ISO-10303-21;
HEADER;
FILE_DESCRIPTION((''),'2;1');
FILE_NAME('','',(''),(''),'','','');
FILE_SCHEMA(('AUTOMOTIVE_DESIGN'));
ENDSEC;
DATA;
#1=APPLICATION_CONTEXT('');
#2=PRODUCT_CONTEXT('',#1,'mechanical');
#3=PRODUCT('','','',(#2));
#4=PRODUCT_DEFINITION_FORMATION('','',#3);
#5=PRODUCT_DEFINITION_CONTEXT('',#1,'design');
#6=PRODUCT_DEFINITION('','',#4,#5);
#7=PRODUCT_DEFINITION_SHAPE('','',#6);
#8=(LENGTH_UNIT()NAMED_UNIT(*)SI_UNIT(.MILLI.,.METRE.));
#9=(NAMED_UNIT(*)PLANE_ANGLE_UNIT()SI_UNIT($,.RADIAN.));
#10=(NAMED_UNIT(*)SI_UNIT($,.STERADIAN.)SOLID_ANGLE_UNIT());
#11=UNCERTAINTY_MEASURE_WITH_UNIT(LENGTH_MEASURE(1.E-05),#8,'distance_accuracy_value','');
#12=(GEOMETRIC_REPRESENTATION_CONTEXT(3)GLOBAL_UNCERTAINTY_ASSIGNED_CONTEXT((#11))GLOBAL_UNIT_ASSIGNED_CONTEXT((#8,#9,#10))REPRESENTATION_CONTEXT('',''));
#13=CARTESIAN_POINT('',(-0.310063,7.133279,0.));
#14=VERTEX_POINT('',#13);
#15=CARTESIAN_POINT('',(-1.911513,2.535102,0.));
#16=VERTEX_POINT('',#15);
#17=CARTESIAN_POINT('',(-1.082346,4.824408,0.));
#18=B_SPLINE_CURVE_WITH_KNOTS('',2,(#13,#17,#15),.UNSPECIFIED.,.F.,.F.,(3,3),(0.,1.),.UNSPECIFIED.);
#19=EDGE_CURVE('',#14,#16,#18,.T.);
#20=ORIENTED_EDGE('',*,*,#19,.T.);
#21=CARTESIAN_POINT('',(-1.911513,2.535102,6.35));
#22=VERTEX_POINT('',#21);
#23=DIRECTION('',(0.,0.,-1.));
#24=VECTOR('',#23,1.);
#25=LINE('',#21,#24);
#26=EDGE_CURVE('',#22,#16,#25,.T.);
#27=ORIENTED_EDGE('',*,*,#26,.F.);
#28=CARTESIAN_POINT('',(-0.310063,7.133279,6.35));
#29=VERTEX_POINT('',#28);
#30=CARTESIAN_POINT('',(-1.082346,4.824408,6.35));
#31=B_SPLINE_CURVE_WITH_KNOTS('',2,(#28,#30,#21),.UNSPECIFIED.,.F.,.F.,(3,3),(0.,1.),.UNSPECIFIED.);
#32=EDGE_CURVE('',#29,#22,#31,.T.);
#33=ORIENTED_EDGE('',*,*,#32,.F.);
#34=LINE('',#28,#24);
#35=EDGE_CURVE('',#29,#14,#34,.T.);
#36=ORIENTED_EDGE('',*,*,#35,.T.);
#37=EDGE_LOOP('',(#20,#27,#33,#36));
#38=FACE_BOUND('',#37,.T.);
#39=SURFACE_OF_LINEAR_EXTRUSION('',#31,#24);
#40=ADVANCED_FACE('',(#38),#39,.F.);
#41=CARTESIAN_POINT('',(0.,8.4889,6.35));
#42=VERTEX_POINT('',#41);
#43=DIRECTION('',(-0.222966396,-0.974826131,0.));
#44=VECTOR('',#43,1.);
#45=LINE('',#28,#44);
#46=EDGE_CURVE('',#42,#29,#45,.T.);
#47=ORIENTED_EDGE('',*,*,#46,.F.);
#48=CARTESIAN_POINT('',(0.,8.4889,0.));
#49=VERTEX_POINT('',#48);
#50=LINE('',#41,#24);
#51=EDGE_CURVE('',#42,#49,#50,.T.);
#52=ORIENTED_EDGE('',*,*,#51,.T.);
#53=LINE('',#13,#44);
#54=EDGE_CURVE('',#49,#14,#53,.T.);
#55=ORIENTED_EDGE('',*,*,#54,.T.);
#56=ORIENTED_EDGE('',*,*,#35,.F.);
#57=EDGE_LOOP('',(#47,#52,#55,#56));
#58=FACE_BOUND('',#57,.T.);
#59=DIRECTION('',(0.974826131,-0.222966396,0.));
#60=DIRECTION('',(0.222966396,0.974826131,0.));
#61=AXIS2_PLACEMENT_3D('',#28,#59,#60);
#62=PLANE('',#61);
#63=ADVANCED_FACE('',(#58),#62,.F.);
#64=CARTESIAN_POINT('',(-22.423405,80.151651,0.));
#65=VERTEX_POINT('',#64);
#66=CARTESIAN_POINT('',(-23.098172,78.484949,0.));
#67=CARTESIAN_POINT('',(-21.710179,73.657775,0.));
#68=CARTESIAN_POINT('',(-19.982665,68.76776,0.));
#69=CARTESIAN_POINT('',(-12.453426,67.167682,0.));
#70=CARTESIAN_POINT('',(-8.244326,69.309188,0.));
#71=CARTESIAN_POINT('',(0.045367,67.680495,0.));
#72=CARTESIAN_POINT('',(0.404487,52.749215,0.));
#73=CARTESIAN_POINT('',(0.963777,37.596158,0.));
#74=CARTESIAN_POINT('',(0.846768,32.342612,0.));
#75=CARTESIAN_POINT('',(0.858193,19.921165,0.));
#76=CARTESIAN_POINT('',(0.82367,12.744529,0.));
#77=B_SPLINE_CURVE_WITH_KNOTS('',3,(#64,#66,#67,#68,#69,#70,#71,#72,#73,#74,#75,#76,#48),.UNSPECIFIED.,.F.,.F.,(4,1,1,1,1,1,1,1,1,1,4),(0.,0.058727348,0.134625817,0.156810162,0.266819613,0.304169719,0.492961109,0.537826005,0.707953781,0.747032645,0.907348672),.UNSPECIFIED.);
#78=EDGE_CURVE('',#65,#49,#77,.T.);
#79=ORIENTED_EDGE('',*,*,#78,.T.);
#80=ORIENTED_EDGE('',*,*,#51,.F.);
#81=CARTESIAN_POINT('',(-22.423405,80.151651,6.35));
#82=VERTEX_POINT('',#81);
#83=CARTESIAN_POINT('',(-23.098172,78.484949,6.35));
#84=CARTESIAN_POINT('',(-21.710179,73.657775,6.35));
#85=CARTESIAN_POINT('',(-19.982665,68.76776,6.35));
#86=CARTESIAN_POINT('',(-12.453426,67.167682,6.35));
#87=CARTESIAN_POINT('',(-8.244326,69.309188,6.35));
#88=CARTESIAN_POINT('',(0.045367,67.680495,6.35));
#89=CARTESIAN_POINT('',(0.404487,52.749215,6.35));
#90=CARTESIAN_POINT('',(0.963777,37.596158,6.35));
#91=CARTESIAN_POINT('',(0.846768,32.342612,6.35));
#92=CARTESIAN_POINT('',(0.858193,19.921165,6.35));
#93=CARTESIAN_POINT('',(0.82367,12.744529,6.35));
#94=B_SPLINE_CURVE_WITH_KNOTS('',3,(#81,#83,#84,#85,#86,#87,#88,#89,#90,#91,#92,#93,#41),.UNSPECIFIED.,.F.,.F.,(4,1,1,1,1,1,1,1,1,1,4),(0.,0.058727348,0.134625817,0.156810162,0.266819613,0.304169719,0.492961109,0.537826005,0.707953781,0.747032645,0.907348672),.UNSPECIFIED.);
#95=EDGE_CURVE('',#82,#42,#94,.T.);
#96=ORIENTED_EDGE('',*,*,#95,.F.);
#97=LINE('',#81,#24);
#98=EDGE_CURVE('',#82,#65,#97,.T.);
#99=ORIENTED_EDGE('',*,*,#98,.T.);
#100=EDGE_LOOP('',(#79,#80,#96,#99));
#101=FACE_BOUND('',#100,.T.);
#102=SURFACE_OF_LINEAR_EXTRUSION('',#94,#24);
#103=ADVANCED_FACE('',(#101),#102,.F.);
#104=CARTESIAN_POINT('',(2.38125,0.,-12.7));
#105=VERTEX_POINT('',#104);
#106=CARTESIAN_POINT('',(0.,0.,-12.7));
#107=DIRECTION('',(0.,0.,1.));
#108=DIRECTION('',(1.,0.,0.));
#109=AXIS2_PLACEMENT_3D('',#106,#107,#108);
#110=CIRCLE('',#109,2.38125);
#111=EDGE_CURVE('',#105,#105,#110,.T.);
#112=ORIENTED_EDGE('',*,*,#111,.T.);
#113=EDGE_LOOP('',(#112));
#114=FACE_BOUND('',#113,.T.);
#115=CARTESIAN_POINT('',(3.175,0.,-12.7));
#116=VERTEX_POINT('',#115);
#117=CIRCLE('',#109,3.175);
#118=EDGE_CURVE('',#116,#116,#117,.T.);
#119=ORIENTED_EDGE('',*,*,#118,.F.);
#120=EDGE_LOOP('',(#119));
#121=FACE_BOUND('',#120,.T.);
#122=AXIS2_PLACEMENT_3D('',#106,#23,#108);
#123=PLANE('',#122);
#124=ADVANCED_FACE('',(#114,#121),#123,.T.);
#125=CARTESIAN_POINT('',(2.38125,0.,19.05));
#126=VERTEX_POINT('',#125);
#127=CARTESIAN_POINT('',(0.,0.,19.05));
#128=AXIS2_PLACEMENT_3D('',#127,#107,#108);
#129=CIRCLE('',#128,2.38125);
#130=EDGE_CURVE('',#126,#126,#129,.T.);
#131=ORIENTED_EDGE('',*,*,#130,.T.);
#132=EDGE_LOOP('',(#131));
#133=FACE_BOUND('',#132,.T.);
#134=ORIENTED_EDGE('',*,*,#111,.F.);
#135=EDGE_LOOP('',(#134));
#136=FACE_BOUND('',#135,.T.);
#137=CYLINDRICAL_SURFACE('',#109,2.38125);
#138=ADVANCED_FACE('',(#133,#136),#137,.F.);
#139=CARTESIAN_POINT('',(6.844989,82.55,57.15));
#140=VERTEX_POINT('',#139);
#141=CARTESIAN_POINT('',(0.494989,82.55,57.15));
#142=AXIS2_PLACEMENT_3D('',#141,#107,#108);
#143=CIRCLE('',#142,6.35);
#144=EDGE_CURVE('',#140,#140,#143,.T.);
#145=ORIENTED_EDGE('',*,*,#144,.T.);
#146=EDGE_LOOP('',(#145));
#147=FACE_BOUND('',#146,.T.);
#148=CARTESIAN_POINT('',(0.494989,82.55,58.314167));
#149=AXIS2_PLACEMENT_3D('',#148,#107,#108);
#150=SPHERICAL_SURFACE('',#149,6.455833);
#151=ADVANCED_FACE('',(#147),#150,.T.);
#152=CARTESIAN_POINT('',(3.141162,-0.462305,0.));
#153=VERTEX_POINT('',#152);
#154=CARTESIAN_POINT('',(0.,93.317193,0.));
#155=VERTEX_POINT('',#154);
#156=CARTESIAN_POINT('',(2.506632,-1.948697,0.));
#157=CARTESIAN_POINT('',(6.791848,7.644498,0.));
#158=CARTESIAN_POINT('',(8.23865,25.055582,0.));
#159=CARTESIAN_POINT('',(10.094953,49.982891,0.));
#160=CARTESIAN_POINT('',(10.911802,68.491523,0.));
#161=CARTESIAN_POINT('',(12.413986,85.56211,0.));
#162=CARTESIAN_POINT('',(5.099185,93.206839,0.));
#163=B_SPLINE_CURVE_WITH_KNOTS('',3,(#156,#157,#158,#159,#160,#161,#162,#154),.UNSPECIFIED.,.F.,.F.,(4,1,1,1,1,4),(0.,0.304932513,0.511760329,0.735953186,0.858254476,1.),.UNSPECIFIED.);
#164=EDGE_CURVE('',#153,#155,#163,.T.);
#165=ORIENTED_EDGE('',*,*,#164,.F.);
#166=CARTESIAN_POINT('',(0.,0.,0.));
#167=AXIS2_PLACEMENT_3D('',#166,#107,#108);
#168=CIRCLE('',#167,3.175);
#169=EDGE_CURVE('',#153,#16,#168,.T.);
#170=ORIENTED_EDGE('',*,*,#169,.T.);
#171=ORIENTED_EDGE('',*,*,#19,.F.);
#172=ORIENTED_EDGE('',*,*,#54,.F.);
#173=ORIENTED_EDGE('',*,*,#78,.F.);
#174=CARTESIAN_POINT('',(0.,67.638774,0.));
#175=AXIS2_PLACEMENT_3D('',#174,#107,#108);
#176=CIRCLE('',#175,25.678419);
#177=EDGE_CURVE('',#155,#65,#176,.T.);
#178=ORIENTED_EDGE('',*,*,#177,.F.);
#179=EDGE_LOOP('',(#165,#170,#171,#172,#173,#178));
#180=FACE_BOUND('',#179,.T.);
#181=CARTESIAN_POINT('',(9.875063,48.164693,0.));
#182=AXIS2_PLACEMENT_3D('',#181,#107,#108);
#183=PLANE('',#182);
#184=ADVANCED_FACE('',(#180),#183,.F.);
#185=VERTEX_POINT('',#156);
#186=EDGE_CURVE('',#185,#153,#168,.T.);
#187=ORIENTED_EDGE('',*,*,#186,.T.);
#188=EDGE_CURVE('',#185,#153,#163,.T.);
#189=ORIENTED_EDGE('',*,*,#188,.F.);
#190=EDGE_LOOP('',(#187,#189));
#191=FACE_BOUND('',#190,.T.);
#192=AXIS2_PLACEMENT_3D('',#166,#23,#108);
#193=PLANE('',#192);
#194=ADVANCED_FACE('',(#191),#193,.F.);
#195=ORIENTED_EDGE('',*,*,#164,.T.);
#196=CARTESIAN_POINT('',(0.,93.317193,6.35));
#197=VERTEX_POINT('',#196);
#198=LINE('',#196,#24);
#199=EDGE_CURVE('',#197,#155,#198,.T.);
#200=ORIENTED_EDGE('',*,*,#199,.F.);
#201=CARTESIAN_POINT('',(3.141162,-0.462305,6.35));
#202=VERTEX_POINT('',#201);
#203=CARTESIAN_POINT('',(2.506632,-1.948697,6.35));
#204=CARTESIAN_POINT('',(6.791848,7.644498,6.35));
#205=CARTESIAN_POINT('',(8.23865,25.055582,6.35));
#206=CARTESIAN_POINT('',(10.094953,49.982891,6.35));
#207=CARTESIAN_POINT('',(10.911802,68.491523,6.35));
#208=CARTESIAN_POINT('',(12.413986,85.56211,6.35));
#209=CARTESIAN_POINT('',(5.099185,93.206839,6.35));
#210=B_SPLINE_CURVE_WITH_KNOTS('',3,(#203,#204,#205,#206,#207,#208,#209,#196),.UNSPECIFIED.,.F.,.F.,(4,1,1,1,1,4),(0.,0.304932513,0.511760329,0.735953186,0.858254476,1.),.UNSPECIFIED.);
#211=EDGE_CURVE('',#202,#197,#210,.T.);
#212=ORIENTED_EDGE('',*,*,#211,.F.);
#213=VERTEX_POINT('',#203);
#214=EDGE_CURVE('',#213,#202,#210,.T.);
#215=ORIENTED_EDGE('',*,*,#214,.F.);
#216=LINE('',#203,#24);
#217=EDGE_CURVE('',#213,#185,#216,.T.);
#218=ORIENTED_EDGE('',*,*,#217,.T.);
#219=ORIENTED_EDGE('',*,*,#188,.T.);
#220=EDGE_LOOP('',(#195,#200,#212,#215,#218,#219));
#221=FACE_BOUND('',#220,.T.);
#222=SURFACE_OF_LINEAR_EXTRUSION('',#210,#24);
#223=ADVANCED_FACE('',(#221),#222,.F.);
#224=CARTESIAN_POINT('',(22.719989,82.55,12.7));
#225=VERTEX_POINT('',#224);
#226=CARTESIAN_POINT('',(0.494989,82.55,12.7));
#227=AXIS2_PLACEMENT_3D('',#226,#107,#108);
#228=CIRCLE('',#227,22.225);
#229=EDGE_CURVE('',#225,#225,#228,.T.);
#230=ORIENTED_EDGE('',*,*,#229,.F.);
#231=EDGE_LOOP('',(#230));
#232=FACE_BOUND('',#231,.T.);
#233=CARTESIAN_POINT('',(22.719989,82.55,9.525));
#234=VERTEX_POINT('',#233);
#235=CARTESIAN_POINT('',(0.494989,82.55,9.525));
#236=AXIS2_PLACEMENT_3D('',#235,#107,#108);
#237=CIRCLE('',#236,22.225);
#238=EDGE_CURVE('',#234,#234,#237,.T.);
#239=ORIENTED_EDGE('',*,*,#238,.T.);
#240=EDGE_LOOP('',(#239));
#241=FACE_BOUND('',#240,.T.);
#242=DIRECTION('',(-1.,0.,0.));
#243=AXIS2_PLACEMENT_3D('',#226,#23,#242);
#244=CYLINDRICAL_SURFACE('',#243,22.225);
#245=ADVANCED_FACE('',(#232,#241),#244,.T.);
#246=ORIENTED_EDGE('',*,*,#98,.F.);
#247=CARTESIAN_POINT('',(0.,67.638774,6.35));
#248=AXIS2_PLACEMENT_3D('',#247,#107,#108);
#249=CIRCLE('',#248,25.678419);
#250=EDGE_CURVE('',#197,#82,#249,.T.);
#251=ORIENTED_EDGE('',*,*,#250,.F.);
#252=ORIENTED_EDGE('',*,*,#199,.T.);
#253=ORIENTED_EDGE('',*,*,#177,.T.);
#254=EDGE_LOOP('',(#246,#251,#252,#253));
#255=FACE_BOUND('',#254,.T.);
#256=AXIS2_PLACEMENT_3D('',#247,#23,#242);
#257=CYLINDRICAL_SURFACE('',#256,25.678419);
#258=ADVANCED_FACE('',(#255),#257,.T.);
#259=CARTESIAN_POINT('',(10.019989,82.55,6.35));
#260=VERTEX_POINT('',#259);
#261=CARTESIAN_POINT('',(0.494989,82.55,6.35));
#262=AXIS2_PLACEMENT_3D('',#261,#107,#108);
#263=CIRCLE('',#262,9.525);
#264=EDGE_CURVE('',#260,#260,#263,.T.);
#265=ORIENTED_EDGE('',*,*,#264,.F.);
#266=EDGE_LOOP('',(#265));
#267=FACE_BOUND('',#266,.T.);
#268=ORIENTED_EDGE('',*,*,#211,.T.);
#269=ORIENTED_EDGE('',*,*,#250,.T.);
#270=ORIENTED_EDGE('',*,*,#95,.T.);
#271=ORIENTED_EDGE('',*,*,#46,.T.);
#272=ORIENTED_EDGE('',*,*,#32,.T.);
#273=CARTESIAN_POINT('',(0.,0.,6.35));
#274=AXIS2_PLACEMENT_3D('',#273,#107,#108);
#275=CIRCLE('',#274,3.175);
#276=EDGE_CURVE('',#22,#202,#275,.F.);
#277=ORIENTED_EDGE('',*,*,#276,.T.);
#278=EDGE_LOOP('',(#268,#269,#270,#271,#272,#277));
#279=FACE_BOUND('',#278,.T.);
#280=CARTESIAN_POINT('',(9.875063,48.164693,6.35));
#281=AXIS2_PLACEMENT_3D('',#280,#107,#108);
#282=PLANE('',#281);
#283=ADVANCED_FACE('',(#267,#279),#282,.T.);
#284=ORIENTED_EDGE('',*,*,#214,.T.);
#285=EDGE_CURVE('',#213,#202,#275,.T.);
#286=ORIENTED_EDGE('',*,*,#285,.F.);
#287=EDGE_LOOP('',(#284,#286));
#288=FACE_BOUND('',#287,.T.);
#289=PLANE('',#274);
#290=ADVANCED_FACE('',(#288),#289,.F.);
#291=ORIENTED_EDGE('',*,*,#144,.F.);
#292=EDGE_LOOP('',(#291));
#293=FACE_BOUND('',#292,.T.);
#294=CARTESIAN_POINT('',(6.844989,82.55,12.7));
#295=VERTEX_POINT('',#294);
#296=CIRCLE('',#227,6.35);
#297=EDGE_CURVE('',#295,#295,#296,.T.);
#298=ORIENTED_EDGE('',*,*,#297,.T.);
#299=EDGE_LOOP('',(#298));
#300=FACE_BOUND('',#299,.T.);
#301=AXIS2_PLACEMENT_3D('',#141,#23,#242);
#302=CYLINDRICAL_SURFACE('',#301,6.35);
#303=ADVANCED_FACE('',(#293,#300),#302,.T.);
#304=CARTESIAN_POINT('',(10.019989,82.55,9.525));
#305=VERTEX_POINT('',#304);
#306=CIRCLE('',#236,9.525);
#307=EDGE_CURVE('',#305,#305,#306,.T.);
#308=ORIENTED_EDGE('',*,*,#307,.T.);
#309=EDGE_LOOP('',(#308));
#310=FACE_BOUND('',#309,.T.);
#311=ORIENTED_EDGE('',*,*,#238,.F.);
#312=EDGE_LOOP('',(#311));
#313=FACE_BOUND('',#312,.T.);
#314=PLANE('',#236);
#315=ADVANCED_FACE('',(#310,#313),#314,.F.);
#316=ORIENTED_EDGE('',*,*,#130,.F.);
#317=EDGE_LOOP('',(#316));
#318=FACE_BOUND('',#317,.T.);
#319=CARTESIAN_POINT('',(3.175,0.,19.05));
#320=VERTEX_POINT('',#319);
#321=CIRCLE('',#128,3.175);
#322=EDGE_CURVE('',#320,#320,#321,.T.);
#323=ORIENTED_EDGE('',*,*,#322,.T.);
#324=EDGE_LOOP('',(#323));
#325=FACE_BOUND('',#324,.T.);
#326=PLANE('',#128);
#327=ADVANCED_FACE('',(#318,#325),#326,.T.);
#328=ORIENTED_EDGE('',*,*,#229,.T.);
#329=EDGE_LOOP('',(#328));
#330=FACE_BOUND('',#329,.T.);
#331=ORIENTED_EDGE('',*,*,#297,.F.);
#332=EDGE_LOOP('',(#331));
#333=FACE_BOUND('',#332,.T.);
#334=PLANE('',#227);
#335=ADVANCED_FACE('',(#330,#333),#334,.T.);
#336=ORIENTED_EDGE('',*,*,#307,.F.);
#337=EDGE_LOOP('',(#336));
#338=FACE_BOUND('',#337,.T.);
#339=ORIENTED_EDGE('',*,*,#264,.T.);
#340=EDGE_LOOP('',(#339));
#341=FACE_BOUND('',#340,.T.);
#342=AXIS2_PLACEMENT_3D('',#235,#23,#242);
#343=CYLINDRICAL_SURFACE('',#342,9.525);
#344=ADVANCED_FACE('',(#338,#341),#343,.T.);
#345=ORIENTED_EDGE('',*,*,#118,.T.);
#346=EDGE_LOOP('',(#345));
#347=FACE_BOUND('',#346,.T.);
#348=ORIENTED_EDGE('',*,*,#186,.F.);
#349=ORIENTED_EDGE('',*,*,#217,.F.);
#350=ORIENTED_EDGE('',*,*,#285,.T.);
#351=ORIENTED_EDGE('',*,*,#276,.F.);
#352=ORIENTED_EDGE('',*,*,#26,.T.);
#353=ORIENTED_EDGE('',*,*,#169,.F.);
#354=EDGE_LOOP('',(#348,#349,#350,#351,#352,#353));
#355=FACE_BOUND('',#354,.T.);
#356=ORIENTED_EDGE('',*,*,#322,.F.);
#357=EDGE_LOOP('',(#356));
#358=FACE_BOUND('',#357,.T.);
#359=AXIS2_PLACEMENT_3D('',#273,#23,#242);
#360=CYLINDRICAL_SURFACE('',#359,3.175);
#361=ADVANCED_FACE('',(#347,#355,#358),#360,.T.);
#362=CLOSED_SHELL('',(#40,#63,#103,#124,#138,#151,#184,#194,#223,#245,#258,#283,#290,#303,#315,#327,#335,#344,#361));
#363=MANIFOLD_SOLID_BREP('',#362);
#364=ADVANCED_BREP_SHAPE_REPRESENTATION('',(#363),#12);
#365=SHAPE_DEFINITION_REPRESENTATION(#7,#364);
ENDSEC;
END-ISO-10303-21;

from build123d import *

# Parameters (mm, degrees)
ARM_EXTRUDE_DEPTH               = 6.35
SKETCH2_R                       = 9.525
ARM_HANDLE_SPACER_EXTRUDE_DEPTH = 3.175
SKETCH3_R                       = 22.225
HANDLE_BASE_EXTRUDE_DEPTH       = 3.175
SKETCH5_R                       = 6.35
HANDLE_EXTRUDE_DEPTH            = 44.45
HANDLE_DOME_FACE_RADIUS         = 6.35
HANDLE_DOME_HEIGHT              = 7.62
SKETCH7_R                       = 3.175
ARM_SLIDER_FRONT_EXTRUDE_DEPTH  = 12.7
SKETCH8_R                       = 2.38125
CUT_EXTRUDE2_DEPTH              = 32.75


with BuildPart() as part:
    # Sketch1 → Arm Extrude (new body)
    with BuildSketch(Plane.XY):
        with BuildLine():
            Line((-0.310063399, 7.13327902), (0, 8.488899908))
            add(Edge.make_bspline(
                [(-22.423405471, 80.151651473), (-23.098171501, 78.484949301), (-21.710179313, 73.657775145), (-19.982664596, 68.767759849), (-12.453425552, 67.167681912), (-8.244325833, 69.309188007), (0.045366857, 67.680494517), (0.404487115, 52.749214724), (0.963776807, 37.596157832), (0.846768385, 32.342612133), (0.858192704, 19.921164935), (0.823670064, 12.744528573), (0, 8.488899908)],
                knots=[0, 0, 0, 0, 0.058727348, 0.134625817, 0.156810162, 0.266819613, 0.304169719, 0.492961109, 0.537826005, 0.707953781, 0.747032645, 0.907348672, 0.907348672, 0.907348672, 0.907348672], degree=3))
            ThreePointArc((-22.423405471, 80.151651473), (-13.001351905, 89.7825331), (0, 93.317193334))
            add(Edge.make_bspline(
                [(0, 93.317193334), (5.09918481, 93.206839261), (12.41398629, 85.562110082), (10.911801572, 68.491523269), (10.094953114, 49.982890958), (8.238650167, 25.055582438), (6.791847576, 7.644498002), (2.506632281, -1.9486969)],
                knots=[0, 0, 0, 0, 0.141745524, 0.264046814, 0.488239671, 0.695067487, 1, 1, 1, 1], degree=3))
            ThreePointArc((2.506632281, -1.9486969), (-2.26156039, -2.228445558), (-1.911512943, 2.535102221))
            add(Edge.make_bspline(
                [(-1.911512943, 2.535102221), (-1.082346176, 4.824407889), (-0.310063399, 7.13327902)],
                knots=[0, 0, 0, 1, 1, 1], degree=2))
        make_face()
    extrude(amount=ARM_EXTRUDE_DEPTH)

    # Sketch2 → Arm-Handle Spacer Extrude (add)
    with BuildSketch(Plane.XY.offset(6.35)):
        with Locations((0.494989456, 82.55)):
            Circle(SKETCH2_R)
    extrude(amount=ARM_HANDLE_SPACER_EXTRUDE_DEPTH)

    # Sketch3 → Handle Base Extrude (add)
    with BuildSketch(Plane.XY.offset(9.525)):
        with Locations((0.494989456, 82.55)):
            Circle(SKETCH3_R)
    extrude(amount=HANDLE_BASE_EXTRUDE_DEPTH)

    # Sketch5 → Handle Extrude (add)
    with BuildSketch(Plane.XY.offset(12.7)):
        with Locations((0.494989456, 82.55)):
            Circle(SKETCH5_R)
    extrude(amount=HANDLE_EXTRUDE_DEPTH)

    # Handle Dome: a dome of height H over a round flat face of radius A is a cap of a sphere of radius (A * A + H * H) / (2 * H)
    handle_dome_r = (HANDLE_DOME_FACE_RADIUS * HANDLE_DOME_FACE_RADIUS + HANDLE_DOME_HEIGHT * HANDLE_DOME_HEIGHT) / (2 * HANDLE_DOME_HEIGHT)
    handle_dome_base = Plane((0.494989456, 82.55, 57.15), z_dir=(0, 0, 1))
    with Locations(handle_dome_base.offset(HANDLE_DOME_HEIGHT - handle_dome_r)):
        handle_dome_ball = Sphere(handle_dome_r, mode=Mode.PRIVATE)
    add(split(handle_dome_ball, bisect_by=handle_dome_base, keep=Keep.TOP, mode=Mode.PRIVATE))

    # Sketch7 → Arm Slider Front Extrude (add)
    with BuildSketch(Plane.XY.offset(6.35)):
        Circle(SKETCH7_R)
    arm_slider_front_extrude = extrude(amount=ARM_SLIDER_FRONT_EXTRUDE_DEPTH)

    # Arm Slider Back Mirror: Arm Slider Front Extrude across plane
    add(arm_slider_front_extrude.mirror(Plane.XY.offset(3.175)))

    # Sketch8 → Cut-Extrude2 (cut, through all)
    with BuildSketch(Plane.XY.offset(19.05)):
        Circle(SKETCH8_R)
    extrude(amount=-CUT_EXTRUDE2_DEPTH, mode=Mode.SUBTRACT)


solid = part.part
